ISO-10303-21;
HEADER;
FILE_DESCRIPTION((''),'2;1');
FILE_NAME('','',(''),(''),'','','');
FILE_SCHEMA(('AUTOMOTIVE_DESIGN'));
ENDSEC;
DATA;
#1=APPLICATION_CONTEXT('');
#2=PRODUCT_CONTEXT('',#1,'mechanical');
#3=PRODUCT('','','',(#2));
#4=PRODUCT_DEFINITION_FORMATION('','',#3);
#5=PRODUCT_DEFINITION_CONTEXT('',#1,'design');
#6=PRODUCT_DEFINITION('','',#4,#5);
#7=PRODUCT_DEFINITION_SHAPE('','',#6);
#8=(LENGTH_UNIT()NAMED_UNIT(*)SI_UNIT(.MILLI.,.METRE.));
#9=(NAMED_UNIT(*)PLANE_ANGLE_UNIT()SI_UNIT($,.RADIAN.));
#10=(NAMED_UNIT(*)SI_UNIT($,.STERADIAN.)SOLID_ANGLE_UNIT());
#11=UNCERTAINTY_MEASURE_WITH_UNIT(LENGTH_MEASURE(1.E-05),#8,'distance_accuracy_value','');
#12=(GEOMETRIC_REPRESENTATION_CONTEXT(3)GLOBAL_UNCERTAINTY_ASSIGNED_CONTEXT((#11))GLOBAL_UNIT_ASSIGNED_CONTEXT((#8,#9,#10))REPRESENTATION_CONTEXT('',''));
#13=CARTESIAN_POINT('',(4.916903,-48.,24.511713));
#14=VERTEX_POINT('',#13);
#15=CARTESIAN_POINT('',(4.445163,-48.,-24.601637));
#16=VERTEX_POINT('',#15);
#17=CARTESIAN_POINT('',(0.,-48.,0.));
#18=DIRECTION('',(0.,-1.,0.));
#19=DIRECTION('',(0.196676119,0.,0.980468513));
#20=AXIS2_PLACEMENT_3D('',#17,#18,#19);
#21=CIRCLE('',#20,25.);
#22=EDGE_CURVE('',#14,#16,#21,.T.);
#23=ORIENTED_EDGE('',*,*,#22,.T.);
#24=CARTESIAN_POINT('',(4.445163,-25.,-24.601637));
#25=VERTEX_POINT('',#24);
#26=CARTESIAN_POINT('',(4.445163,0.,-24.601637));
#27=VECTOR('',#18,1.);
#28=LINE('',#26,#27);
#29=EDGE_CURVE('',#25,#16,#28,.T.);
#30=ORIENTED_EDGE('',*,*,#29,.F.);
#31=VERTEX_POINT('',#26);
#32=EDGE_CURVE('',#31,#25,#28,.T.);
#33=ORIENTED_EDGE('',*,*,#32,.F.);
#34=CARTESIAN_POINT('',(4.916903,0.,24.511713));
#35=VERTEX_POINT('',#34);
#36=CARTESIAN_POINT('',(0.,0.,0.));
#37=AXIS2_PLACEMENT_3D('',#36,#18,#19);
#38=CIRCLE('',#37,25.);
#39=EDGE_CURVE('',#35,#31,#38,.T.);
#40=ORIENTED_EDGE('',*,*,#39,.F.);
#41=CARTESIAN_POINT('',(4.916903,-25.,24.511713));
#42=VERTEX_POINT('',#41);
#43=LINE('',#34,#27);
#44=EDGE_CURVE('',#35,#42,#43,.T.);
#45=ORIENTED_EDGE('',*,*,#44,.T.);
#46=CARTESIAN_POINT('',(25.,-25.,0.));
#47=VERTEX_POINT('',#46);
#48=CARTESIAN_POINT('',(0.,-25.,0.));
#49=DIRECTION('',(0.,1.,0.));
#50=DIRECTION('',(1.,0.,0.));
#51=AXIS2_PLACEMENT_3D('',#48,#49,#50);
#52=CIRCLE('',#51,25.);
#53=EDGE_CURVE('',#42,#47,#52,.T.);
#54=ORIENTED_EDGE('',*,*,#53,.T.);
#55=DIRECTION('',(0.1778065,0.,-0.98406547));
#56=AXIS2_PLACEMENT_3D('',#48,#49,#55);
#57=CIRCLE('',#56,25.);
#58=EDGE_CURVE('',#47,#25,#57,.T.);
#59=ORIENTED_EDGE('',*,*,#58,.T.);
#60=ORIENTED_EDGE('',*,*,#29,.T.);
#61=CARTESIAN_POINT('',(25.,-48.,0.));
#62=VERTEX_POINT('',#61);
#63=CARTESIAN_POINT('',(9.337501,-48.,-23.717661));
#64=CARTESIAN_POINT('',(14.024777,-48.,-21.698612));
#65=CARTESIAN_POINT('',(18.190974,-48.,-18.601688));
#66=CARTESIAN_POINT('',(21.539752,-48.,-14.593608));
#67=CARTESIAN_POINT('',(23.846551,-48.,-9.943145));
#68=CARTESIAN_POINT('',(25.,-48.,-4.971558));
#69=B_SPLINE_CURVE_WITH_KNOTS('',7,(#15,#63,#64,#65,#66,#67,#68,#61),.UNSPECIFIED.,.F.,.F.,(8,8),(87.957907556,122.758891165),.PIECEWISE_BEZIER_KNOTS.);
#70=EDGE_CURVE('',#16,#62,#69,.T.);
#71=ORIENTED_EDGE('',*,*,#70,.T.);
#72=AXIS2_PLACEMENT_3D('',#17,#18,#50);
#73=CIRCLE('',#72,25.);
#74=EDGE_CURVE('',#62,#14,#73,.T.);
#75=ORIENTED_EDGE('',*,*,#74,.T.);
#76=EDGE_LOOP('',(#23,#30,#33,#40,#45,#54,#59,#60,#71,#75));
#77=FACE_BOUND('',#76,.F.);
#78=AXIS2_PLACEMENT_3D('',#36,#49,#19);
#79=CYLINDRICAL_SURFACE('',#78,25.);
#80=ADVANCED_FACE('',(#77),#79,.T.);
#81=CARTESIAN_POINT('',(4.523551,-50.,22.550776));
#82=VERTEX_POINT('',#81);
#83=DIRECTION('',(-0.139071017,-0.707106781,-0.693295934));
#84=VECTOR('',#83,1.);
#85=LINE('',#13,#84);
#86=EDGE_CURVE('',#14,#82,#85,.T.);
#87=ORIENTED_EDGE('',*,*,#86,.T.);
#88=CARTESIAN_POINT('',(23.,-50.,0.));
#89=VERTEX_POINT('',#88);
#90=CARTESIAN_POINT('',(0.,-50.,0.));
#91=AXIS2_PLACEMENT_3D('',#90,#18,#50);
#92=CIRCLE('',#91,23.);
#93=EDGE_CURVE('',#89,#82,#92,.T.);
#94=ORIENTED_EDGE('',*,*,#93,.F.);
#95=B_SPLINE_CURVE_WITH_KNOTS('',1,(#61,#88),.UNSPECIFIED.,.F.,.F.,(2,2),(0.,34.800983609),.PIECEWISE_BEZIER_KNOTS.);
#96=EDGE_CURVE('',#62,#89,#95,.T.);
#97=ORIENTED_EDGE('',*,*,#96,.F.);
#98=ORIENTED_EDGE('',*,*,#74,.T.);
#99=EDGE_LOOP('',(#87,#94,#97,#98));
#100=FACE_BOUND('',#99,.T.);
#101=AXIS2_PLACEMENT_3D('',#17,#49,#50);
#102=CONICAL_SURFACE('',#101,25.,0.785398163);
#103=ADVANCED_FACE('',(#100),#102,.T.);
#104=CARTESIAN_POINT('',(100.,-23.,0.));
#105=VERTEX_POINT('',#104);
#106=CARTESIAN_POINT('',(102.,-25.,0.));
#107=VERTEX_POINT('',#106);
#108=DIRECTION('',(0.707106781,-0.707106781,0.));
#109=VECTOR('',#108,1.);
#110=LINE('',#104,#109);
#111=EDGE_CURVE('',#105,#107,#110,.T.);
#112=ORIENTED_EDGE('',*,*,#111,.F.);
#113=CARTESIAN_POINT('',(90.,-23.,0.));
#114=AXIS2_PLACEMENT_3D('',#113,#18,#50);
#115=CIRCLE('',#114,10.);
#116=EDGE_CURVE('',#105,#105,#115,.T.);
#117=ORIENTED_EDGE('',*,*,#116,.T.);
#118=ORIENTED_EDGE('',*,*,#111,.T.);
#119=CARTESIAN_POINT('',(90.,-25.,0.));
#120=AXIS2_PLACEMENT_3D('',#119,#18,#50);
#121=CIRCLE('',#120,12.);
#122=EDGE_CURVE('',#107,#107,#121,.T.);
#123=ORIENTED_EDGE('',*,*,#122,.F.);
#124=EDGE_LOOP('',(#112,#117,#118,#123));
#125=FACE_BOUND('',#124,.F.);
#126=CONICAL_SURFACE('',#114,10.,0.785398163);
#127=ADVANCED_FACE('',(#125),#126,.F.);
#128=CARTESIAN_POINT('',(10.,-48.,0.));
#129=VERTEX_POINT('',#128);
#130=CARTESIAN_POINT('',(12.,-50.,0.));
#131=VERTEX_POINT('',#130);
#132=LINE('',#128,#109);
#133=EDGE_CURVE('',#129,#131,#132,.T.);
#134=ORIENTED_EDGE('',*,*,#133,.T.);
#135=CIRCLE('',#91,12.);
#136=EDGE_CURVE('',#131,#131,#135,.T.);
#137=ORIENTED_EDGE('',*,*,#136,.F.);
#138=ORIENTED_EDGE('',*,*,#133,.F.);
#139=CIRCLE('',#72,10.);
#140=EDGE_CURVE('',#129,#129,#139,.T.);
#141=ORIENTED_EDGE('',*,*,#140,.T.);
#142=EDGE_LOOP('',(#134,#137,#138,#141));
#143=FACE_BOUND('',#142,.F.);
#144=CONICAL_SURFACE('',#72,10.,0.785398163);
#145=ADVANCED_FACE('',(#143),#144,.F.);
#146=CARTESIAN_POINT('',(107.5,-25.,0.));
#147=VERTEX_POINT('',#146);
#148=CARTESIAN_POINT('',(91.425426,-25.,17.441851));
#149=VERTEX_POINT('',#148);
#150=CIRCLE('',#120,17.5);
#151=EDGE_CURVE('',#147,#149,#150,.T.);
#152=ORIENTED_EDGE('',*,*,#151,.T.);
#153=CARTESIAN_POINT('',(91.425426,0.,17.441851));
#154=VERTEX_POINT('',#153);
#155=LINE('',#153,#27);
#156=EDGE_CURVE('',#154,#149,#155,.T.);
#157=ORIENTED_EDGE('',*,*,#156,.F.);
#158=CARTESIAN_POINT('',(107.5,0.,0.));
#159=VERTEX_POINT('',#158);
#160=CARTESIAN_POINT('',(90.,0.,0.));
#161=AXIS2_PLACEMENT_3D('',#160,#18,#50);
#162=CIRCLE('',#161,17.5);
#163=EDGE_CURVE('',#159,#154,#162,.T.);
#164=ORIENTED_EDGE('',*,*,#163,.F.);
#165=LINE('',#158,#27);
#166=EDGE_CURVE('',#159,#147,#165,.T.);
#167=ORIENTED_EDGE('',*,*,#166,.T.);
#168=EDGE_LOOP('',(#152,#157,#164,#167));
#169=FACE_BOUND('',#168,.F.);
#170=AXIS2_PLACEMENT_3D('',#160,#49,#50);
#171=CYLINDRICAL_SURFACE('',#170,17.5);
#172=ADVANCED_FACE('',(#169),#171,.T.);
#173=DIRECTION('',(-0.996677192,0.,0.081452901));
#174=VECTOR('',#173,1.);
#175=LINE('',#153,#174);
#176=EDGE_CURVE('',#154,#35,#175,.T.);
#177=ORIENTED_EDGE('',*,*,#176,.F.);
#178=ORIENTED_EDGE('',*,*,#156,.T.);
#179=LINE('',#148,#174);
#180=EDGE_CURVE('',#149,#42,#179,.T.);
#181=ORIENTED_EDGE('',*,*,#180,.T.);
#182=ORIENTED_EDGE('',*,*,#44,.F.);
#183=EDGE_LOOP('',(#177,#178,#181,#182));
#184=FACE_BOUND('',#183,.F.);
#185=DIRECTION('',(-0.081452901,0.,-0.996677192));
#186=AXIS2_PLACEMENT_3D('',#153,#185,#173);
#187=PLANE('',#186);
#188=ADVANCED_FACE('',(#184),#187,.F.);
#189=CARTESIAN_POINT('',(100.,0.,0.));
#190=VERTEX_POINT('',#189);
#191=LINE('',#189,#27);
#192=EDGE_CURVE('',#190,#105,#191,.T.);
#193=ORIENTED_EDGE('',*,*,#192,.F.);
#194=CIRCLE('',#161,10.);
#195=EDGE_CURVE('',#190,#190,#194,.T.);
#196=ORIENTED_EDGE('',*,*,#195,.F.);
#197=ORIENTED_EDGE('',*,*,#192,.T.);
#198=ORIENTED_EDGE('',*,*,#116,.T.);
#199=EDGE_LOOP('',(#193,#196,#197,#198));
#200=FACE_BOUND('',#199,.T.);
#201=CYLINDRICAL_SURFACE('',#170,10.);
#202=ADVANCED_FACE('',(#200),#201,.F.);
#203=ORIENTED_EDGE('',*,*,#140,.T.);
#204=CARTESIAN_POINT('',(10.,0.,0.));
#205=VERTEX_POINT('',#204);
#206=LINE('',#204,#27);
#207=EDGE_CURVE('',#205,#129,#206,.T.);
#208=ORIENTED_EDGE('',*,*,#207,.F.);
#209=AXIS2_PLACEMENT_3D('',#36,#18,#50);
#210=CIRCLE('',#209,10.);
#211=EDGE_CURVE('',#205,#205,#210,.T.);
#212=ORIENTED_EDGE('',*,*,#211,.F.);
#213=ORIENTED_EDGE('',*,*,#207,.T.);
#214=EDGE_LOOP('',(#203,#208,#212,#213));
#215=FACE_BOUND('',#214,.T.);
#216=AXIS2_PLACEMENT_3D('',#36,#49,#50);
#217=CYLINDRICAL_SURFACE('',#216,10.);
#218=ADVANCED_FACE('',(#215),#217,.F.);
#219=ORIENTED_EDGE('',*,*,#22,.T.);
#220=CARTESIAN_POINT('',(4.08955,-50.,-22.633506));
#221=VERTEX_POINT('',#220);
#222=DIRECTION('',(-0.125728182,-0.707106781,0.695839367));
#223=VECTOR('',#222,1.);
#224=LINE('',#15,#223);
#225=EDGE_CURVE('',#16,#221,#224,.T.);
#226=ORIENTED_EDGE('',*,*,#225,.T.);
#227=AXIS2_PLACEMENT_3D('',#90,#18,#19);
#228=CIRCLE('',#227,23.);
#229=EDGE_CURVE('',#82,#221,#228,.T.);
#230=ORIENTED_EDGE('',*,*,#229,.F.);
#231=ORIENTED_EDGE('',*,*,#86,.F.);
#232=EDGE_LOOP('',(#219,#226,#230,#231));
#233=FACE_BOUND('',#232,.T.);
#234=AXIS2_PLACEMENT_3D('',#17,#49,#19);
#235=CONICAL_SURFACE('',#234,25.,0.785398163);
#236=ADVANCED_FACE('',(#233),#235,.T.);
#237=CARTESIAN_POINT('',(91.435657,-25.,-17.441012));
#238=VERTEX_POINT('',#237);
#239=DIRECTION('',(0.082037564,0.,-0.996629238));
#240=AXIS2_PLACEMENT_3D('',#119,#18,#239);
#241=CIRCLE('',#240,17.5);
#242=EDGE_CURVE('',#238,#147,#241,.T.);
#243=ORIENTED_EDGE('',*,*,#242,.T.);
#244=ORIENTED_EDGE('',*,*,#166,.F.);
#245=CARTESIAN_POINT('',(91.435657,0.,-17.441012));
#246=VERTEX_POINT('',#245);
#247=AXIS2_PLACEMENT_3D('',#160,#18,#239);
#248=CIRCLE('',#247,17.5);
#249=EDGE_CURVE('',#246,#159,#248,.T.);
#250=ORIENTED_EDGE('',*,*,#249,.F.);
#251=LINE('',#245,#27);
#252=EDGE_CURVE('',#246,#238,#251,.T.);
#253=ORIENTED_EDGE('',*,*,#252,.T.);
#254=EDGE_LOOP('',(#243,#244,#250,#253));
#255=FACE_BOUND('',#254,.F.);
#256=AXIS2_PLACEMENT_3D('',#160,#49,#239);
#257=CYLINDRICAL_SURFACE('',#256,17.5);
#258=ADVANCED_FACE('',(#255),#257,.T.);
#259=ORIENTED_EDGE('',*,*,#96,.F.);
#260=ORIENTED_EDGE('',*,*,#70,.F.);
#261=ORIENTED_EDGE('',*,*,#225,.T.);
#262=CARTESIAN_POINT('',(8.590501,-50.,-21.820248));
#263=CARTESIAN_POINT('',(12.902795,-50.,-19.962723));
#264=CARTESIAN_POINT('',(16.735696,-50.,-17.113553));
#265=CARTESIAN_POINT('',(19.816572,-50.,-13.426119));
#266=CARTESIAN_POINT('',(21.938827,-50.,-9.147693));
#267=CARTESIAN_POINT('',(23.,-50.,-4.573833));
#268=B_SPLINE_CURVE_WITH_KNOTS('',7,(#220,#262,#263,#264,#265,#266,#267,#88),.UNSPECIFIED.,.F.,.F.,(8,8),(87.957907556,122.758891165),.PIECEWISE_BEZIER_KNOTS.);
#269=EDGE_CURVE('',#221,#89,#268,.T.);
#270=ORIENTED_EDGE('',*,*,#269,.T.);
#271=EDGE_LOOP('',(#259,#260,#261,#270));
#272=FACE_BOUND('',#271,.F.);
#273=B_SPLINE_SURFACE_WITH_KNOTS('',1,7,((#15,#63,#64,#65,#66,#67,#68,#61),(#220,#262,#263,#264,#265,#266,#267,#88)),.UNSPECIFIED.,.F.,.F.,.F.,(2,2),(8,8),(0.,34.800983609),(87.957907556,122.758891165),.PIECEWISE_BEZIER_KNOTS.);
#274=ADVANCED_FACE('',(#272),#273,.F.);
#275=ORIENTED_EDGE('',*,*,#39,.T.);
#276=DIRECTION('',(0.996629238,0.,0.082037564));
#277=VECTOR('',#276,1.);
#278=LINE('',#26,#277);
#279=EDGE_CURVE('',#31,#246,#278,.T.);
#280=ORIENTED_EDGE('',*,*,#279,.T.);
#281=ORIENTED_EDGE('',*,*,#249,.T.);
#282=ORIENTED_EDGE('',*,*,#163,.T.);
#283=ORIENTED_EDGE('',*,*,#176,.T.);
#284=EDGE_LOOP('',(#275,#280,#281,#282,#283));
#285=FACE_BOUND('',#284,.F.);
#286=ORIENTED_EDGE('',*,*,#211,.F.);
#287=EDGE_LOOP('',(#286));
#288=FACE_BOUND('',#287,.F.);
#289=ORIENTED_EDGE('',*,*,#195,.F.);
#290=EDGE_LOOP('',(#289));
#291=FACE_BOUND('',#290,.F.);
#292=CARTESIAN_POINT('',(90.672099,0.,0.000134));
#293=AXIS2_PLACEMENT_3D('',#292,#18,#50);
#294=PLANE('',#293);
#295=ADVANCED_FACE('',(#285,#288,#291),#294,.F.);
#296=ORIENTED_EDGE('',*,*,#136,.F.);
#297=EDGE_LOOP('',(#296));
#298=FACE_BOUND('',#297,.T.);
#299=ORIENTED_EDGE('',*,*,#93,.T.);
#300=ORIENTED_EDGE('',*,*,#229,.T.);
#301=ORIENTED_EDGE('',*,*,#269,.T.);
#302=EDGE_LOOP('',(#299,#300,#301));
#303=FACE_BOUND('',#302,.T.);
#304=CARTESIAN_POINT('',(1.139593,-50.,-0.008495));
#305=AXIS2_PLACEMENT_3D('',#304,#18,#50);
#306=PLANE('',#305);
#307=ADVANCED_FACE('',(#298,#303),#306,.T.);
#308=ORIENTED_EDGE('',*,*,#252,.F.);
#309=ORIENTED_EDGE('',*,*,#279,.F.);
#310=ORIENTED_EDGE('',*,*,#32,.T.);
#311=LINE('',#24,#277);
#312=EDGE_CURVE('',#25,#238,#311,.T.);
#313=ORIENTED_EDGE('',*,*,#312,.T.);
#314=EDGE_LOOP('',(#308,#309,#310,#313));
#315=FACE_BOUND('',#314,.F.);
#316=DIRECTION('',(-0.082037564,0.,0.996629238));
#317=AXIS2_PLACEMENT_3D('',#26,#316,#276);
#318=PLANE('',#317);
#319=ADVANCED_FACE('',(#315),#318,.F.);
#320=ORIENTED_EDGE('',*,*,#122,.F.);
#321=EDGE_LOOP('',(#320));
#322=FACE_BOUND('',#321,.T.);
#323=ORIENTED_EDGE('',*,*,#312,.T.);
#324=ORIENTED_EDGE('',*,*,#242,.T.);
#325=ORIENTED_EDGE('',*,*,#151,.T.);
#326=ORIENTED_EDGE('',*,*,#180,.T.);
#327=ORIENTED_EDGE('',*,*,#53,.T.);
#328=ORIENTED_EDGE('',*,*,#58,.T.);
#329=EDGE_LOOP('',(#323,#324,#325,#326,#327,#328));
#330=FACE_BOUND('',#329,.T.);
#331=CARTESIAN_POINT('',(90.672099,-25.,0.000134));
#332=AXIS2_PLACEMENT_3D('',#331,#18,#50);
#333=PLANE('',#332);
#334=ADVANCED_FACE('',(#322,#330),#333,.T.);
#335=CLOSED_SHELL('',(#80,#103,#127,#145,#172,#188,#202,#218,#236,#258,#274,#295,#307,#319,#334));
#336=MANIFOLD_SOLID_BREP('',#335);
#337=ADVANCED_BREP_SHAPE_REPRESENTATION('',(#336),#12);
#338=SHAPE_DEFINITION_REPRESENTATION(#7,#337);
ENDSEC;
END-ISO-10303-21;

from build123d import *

# Parameters (mm, degrees)
F0_R     = 10
F1_DEPTH = 25
F2_DEPTH = 50
F3_SIZE  = 2


with BuildPart() as f1:
    # F0 (on Front) → F1 (new body)
    with BuildSketch(Plane.XZ):
        with BuildLine():
            ThreePointArc((107.5, 0), (102.8684682655, 11.8597017037), (91.4254257714, 17.4418508585))
            ThreePointArc((91.4254257714, 17.4418508585), (72.5000007528, -0.0051329802), (91.4356573743, -17.4410116651))
            ThreePointArc((91.4356573743, -17.4410116651), (102.8719463185, -11.8559267025), (107.5, 0))
        make_face()
        with Locations((90, 0)):
            Circle(F0_R, mode=Mode.SUBTRACT)
        with BuildLine():
            ThreePointArc((4.9169029747, 24.5117128153), (19.3380786839, 15.8442012363), (25, 0))
            ThreePointArc((25, 0), (19.185007985, -16.0292067369), (4.4451625108, -24.6016367393))
            Line((4.4451625108, -24.6016367393), (91.4356573743, -17.4410116651))
            ThreePointArc((91.4356573743, -17.4410116651), (72.5000007528, -0.0051329802), (91.4254257714, 17.4418508585))
            Line((91.4254257714, 17.4418508585), (4.9169029747, 24.5117128153))
        make_face()
        with BuildLine():
            ThreePointArc((4.4451625108, -24.6016367393), (19.185007985, -16.0292067369), (25, 0))
            ThreePointArc((25, 0), (19.3380786839, 15.8442012363), (4.9169029747, 24.5117128153))
            ThreePointArc((4.9169029747, 24.5117128153), (-24.9988468465, 0.2401173553), (4.4451625108, -24.6016367393))
        make_face()
        Circle(F0_R, mode=Mode.SUBTRACT)
    extrude(amount=F1_DEPTH)

    # F0 (on Front) → F2 (join)
    with BuildSketch(Plane.XZ):
        with BuildLine():
            ThreePointArc((4.4451625108, -24.6016367393), (19.185007985, -16.0292067369), (25, 0))
            ThreePointArc((25, 0), (19.3380786839, 15.8442012363), (4.9169029747, 24.5117128153))
            ThreePointArc((4.9169029747, 24.5117128153), (-24.9988468465, 0.2401173553), (4.4451625108, -24.6016367393))
        make_face()
        Circle(F0_R, mode=Mode.SUBTRACT)
    extrude(amount=F2_DEPTH)

    # F3
    f3_edges = [f1.edges().sort_by_distance(p)[0] for p in [
        (-10, -50, 0),
        (-4.445163, -50, 24.601637),
        (80, -25, 0),
    ]]
    chamfer(f3_edges, length=F3_SIZE)


solid = f1.part
